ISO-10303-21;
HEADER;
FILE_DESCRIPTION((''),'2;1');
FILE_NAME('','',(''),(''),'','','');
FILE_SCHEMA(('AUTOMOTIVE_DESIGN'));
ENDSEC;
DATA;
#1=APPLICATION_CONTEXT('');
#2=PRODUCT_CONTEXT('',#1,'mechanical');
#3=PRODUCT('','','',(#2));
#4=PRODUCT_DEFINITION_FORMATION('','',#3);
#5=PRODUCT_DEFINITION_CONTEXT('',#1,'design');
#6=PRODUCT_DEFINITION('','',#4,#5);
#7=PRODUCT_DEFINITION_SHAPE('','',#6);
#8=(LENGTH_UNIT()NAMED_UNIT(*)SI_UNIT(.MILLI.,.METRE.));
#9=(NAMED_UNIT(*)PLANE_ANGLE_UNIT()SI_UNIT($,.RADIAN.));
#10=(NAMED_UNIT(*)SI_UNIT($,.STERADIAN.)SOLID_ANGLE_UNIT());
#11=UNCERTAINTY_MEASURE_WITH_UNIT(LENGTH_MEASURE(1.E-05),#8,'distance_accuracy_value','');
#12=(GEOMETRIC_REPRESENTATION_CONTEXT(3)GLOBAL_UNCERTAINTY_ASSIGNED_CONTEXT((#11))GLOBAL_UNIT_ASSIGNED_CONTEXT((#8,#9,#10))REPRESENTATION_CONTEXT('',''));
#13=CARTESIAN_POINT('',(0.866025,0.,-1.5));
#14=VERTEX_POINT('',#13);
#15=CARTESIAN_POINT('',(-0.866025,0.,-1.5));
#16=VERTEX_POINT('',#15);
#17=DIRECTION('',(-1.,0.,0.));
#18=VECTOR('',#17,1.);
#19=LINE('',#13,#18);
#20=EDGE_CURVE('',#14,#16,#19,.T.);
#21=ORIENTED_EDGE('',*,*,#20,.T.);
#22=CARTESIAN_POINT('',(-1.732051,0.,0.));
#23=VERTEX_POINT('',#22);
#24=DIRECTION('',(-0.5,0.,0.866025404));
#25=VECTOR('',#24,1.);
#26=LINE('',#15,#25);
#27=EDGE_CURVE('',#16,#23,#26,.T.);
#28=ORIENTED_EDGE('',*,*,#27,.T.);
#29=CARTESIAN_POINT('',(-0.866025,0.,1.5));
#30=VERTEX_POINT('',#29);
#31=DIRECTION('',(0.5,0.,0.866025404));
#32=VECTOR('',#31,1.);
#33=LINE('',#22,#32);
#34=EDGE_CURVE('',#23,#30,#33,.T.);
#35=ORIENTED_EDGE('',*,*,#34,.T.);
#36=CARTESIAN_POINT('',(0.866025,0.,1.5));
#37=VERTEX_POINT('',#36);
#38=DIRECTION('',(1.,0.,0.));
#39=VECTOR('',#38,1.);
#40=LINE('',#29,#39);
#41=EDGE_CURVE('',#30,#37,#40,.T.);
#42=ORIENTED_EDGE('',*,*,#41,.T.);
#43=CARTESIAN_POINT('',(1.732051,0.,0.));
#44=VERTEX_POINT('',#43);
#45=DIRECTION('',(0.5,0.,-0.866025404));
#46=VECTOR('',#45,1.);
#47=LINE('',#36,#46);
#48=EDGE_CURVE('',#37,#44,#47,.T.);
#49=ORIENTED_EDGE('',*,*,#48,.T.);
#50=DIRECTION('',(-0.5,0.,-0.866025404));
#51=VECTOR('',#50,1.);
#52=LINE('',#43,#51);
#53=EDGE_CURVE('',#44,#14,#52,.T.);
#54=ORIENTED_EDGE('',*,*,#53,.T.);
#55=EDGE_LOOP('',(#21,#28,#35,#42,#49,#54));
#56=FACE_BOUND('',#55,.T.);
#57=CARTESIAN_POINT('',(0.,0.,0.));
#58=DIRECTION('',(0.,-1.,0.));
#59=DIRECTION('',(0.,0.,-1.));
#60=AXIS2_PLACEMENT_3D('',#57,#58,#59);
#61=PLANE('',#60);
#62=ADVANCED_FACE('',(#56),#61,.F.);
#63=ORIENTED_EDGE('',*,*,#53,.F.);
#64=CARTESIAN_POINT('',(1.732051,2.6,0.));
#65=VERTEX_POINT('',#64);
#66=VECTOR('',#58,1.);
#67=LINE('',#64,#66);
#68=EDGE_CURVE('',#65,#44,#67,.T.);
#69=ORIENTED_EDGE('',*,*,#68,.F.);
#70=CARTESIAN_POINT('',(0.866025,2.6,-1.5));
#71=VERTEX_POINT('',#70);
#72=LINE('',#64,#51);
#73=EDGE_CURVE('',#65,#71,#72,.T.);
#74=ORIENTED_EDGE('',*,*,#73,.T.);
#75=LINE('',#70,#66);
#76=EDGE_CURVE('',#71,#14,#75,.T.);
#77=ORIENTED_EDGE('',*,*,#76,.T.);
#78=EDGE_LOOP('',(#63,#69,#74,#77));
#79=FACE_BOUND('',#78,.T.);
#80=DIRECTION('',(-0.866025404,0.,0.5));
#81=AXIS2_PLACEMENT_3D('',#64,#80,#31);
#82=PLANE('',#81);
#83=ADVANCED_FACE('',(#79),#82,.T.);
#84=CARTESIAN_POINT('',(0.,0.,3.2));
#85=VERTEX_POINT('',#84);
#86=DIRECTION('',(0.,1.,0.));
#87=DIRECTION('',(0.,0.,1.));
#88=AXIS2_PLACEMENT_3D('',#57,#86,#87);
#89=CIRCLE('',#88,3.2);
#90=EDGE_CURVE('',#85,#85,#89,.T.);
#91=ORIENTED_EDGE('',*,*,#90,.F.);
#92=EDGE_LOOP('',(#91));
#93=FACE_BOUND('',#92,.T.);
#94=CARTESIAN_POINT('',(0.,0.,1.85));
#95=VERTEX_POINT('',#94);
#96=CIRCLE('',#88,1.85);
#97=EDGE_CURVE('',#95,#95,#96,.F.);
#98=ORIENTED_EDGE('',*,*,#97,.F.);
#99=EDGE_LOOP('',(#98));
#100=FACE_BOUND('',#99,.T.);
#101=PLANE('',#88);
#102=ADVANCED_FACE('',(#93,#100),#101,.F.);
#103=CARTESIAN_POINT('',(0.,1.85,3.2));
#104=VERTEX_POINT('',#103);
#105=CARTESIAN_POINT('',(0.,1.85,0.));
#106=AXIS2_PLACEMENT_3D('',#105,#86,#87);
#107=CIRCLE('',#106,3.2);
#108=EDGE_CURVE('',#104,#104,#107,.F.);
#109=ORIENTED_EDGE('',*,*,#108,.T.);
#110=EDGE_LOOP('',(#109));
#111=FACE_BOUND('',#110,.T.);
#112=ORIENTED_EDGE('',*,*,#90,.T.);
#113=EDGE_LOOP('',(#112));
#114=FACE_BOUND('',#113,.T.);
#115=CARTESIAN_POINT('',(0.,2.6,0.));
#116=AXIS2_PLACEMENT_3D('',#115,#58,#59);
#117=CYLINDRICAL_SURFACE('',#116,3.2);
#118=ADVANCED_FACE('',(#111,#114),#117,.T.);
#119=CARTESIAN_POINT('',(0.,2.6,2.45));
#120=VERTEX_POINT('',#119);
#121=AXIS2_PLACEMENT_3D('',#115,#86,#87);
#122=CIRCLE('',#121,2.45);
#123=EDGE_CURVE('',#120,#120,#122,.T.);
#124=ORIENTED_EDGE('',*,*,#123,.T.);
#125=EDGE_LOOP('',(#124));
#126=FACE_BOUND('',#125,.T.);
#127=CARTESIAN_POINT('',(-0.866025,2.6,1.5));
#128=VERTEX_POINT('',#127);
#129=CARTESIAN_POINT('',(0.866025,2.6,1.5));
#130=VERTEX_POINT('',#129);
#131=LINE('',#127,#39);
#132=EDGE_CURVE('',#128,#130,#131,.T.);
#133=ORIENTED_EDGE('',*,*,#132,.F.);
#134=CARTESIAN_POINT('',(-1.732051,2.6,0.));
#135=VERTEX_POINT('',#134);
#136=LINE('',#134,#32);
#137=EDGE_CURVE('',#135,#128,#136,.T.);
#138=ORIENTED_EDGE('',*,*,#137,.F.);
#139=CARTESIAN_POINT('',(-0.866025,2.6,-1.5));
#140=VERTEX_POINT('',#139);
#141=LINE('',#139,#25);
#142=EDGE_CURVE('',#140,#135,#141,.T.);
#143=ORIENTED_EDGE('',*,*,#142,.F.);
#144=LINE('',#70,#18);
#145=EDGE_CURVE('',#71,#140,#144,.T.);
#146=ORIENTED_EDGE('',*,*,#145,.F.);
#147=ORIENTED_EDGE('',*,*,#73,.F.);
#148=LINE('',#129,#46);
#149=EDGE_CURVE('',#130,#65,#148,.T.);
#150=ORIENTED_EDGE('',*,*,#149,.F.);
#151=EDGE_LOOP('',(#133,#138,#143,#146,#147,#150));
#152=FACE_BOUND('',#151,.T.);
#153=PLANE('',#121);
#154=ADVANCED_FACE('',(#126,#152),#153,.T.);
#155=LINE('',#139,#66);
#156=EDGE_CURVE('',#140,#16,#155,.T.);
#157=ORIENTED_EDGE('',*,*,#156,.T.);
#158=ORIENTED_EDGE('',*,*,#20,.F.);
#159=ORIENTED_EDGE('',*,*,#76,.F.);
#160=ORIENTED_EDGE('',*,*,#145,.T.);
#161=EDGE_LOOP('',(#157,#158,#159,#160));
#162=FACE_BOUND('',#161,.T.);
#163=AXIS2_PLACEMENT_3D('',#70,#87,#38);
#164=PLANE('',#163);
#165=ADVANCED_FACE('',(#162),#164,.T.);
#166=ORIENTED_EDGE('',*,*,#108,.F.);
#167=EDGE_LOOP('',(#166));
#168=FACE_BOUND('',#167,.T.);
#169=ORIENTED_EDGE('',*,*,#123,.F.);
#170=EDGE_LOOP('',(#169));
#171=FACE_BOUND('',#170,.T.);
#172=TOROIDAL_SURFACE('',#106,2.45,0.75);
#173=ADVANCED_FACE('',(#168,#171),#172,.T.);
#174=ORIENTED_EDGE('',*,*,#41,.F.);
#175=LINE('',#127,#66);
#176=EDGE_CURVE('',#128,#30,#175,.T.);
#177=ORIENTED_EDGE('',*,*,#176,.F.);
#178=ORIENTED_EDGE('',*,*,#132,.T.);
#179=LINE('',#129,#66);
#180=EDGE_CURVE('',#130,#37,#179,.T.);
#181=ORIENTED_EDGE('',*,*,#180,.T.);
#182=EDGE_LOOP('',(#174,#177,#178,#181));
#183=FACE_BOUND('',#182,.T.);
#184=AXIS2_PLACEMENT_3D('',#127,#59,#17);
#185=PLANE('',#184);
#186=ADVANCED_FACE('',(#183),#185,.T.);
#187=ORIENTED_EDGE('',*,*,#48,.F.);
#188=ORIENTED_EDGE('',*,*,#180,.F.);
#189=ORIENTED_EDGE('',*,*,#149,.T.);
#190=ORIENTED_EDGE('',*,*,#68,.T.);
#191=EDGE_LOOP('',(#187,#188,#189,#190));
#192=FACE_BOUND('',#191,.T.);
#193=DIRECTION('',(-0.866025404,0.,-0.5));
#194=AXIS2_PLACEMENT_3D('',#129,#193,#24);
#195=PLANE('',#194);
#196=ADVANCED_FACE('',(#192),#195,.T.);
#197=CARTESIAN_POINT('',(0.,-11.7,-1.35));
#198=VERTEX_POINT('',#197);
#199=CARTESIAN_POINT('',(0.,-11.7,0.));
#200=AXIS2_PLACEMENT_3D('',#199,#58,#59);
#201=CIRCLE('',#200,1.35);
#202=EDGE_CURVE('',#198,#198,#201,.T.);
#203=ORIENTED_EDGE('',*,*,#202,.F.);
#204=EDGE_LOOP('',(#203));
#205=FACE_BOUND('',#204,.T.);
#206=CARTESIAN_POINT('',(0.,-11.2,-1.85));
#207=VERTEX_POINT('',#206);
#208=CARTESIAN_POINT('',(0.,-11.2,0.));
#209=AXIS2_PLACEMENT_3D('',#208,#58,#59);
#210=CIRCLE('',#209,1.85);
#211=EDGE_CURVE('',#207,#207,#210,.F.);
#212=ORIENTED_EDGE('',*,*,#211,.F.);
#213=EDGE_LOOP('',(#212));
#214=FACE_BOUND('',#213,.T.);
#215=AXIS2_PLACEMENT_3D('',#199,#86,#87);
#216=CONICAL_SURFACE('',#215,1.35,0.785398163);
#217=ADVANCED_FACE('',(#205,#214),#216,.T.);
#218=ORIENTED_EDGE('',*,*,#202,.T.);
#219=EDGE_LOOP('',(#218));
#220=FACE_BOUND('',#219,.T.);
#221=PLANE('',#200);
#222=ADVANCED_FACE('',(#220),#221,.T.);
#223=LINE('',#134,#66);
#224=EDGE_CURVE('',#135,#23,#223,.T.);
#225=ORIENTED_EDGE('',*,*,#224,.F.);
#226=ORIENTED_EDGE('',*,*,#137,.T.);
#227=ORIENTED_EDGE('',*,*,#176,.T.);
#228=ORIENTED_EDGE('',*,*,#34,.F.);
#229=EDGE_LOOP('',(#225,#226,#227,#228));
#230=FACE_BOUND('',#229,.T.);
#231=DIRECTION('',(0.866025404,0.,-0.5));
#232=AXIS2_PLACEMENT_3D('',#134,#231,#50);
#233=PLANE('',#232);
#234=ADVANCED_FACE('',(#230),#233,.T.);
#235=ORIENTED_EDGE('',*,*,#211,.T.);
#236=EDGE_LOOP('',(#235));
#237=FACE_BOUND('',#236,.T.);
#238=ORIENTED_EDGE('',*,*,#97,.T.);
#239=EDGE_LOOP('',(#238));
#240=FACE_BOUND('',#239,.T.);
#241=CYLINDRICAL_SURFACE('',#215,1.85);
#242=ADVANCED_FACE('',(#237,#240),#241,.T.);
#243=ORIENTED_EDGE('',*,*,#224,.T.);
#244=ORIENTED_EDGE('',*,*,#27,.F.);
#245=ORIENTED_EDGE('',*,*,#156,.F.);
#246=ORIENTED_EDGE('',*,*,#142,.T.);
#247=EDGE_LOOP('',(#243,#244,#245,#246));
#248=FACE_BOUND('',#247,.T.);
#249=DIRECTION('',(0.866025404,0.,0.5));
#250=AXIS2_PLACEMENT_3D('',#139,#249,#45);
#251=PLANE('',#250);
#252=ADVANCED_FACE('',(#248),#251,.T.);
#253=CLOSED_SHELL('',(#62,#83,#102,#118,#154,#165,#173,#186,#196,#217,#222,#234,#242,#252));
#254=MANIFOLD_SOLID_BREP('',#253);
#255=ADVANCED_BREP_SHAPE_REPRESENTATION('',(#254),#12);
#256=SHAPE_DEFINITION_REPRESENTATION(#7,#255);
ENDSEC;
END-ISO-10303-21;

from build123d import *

# Parameters (mm, degrees)
SKETCH1_R           = 3.2
BOSS_EXTRUDE1_DEPTH = 2.6
FILLET1_R           = 0.75
SKETCH2_R           = 1.85
BOSS_EXTRUDE2_DEPTH = 11.7
CHAMFER1_SIZE       = 0.5


with BuildPart() as part:
    # Sketch1 → Boss-Extrude1 (new body)
    with BuildSketch(Plane(origin=(0, 0, 0), x_dir=(1, 0, 0), z_dir=(0, 1, 0))):
        with Locations(Location((0, 0, 0), (0, 0, 270))):
            Circle(SKETCH1_R)
        Polygon((1.732050808, 0), (0.866025404, 1.5), (-0.866025404, 1.5), (-1.732050808, 0), (-0.866025404, -1.5), (0.866025404, -1.5), align=None, mode=Mode.SUBTRACT)
    extrude(amount=BOSS_EXTRUDE1_DEPTH)

    # Fillet1
    fillet1_edges = [part.edges().sort_by_distance(p)[0] for p in [
        (0, 2.6, -3.2),
    ]]
    fillet(fillet1_edges, radius=FILLET1_R)

    # Sketch2 → Boss-Extrude2 (add)
    with BuildSketch(Plane.XZ):
        with Locations(Location((0, 0, 0), (0, 0, 90))):
            Circle(SKETCH2_R)
    extrude(amount=BOSS_EXTRUDE2_DEPTH)

    # Chamfer1
    chamfer1_edges = [part.edges().sort_by_distance(p)[0] for p in [
        (0, -11.7, -1.85),
    ]]
    chamfer(chamfer1_edges, length=CHAMFER1_SIZE)


solid = part.part
